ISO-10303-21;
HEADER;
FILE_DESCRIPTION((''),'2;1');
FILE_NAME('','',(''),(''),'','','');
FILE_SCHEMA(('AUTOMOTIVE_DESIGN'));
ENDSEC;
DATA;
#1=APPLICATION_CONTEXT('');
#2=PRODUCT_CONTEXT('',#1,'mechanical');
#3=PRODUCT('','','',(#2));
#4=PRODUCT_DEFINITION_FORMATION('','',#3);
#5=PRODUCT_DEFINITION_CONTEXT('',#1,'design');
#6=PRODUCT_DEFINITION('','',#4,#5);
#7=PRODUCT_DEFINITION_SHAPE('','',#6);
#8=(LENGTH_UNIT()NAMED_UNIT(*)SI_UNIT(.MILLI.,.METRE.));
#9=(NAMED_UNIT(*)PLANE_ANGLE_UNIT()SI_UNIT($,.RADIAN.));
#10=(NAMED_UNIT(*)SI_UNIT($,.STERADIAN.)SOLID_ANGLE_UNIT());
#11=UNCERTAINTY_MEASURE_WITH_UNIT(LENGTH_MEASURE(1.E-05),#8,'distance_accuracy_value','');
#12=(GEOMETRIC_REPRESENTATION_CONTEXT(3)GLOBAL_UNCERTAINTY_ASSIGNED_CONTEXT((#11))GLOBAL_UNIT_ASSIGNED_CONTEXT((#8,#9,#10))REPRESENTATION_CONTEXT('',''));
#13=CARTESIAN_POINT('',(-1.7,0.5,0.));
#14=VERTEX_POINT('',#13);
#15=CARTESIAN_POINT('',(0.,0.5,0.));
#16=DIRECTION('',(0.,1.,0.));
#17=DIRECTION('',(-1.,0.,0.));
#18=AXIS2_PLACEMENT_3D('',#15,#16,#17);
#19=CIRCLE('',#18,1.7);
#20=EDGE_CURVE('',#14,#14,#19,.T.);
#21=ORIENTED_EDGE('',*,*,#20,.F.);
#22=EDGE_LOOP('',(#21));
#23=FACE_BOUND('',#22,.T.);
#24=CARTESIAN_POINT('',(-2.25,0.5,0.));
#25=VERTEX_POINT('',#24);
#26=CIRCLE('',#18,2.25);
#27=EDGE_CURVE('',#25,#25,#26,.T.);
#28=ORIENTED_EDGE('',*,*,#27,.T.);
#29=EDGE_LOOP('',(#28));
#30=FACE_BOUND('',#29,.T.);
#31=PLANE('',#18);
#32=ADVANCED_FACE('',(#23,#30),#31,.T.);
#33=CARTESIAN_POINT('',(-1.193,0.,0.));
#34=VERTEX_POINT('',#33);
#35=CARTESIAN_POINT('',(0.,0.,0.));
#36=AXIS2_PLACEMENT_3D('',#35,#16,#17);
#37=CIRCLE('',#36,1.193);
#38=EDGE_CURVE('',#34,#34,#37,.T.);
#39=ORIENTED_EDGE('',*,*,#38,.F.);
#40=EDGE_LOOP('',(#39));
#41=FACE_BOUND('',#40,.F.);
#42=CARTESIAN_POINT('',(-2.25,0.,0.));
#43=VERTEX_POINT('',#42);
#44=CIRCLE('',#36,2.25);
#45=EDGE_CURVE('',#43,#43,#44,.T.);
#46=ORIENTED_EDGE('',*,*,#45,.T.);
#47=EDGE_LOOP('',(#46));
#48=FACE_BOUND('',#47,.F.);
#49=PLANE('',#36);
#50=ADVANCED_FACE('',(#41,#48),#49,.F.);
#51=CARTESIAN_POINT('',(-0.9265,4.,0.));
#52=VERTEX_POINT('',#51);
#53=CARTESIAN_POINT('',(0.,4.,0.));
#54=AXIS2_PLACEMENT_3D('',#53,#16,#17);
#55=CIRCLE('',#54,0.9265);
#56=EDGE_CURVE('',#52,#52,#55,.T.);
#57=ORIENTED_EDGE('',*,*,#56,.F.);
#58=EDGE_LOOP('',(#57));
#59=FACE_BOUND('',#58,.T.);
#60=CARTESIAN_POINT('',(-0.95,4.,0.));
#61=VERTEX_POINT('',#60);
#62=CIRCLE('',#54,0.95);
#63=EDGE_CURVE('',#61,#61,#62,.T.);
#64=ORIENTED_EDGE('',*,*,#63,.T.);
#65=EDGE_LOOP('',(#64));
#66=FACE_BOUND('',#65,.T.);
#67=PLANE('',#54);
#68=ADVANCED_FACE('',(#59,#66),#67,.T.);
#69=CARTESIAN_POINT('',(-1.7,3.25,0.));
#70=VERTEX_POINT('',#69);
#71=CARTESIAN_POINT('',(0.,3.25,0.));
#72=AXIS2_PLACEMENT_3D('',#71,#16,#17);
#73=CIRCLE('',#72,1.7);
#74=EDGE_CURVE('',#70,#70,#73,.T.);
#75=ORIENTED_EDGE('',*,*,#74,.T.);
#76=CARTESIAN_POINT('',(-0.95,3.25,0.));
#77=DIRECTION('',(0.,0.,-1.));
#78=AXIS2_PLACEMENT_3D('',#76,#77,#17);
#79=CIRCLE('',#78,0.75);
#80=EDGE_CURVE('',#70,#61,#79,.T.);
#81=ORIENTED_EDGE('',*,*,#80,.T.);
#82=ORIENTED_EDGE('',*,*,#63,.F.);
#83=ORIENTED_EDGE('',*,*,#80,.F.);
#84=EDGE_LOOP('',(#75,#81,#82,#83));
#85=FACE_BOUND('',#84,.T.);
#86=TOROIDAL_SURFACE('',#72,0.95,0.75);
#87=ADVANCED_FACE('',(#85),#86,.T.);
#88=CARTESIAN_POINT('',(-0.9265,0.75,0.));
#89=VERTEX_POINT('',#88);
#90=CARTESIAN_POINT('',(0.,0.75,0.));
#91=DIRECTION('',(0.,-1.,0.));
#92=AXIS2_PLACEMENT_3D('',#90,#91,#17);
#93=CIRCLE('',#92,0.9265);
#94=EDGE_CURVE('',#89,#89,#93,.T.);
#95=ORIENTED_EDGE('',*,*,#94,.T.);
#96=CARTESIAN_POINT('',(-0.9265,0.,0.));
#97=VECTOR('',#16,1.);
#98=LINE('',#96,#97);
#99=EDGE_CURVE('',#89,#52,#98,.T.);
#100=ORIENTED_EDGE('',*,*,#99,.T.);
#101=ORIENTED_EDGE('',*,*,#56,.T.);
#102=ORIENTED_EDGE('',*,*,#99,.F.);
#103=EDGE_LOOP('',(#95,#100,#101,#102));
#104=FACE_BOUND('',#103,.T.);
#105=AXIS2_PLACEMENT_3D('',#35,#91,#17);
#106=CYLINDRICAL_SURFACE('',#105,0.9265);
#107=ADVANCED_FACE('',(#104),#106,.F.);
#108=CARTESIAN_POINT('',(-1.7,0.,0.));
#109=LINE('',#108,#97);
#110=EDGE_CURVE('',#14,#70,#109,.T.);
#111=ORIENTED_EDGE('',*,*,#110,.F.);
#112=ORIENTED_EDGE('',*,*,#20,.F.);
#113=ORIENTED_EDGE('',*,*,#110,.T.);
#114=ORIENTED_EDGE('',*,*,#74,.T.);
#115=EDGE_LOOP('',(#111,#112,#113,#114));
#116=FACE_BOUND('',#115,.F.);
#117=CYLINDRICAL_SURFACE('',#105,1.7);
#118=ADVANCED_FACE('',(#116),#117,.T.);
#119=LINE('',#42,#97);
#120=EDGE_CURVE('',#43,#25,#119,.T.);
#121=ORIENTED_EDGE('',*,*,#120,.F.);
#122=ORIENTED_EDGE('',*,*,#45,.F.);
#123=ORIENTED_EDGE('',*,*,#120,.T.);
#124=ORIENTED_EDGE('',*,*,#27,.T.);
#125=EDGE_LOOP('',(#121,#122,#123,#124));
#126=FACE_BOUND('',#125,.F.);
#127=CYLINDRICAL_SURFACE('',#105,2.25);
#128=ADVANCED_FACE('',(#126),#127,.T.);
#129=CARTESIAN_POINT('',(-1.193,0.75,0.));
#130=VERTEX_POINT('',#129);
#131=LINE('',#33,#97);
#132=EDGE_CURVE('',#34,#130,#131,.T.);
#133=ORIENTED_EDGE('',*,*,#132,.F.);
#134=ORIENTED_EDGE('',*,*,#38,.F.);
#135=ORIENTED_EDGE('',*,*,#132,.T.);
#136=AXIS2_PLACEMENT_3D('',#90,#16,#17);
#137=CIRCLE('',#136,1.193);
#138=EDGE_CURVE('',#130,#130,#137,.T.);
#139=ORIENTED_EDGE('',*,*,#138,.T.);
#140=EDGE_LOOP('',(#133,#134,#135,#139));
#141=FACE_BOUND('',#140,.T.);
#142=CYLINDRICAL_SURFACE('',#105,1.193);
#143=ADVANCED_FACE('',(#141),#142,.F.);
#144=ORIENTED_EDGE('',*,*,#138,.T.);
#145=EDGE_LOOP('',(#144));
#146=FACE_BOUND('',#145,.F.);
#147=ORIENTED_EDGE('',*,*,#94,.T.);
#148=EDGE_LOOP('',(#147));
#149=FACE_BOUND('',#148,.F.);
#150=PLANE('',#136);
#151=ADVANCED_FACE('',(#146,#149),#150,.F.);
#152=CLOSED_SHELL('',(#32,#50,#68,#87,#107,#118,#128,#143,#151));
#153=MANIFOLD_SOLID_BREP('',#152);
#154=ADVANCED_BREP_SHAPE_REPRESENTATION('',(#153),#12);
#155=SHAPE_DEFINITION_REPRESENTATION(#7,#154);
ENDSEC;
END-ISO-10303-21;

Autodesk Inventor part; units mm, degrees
ref_plane "YZ Plane" through (0, 0, 0) normal (1, 0, 0) x (0, 1, 0)
ref_plane "XZ Plane" through (0, 0, 0) normal (0, 1, 0) x (-1, 0, 0)
ref_plane "XY Plane" through (0, 0, 0) normal (0, 0, 1) x (1, 0, 0)
sketch "Sketch1" plane through (0, 0, 0) normal (0, 1, 0) x (-1, 0, 0)
  circle A0 centre (0, 0) radius 0.9265
  circle A1 centre (0, 0) radius 1.7
  circle A2 centre (0, 0) radius 2.25
  dimension "d0" = 1.853
  dimension "d2" = 3.4
  dimension "d8" = 4.5
sketch "Sketch2" plane through (0, 0, 0) normal (0, 1, 0) x (-1, 0, 0)
  circle A0 centre (0, 0) radius 1.193
  dimension "d3" = 2.386
extrude "Extrusion1" add sketch "Sketch1" along normal blind 4 contours A1
extrude "Extrusion2" cut sketch "Sketch2" along normal blind 0.75
sketch "Sketch3" plane through (0, 0, 0) normal (0, -1, 0) x (1, 0, 0)
  point P0 (0, 0)
extrude "Extrusion3" add sketch "Sketch1" along normal blind 0.5 contours A2
fillet "Fillet1" radius 0.75 1 edges at (1.7, 4, 0)
properties part number "Lumipositor-WirePins"
